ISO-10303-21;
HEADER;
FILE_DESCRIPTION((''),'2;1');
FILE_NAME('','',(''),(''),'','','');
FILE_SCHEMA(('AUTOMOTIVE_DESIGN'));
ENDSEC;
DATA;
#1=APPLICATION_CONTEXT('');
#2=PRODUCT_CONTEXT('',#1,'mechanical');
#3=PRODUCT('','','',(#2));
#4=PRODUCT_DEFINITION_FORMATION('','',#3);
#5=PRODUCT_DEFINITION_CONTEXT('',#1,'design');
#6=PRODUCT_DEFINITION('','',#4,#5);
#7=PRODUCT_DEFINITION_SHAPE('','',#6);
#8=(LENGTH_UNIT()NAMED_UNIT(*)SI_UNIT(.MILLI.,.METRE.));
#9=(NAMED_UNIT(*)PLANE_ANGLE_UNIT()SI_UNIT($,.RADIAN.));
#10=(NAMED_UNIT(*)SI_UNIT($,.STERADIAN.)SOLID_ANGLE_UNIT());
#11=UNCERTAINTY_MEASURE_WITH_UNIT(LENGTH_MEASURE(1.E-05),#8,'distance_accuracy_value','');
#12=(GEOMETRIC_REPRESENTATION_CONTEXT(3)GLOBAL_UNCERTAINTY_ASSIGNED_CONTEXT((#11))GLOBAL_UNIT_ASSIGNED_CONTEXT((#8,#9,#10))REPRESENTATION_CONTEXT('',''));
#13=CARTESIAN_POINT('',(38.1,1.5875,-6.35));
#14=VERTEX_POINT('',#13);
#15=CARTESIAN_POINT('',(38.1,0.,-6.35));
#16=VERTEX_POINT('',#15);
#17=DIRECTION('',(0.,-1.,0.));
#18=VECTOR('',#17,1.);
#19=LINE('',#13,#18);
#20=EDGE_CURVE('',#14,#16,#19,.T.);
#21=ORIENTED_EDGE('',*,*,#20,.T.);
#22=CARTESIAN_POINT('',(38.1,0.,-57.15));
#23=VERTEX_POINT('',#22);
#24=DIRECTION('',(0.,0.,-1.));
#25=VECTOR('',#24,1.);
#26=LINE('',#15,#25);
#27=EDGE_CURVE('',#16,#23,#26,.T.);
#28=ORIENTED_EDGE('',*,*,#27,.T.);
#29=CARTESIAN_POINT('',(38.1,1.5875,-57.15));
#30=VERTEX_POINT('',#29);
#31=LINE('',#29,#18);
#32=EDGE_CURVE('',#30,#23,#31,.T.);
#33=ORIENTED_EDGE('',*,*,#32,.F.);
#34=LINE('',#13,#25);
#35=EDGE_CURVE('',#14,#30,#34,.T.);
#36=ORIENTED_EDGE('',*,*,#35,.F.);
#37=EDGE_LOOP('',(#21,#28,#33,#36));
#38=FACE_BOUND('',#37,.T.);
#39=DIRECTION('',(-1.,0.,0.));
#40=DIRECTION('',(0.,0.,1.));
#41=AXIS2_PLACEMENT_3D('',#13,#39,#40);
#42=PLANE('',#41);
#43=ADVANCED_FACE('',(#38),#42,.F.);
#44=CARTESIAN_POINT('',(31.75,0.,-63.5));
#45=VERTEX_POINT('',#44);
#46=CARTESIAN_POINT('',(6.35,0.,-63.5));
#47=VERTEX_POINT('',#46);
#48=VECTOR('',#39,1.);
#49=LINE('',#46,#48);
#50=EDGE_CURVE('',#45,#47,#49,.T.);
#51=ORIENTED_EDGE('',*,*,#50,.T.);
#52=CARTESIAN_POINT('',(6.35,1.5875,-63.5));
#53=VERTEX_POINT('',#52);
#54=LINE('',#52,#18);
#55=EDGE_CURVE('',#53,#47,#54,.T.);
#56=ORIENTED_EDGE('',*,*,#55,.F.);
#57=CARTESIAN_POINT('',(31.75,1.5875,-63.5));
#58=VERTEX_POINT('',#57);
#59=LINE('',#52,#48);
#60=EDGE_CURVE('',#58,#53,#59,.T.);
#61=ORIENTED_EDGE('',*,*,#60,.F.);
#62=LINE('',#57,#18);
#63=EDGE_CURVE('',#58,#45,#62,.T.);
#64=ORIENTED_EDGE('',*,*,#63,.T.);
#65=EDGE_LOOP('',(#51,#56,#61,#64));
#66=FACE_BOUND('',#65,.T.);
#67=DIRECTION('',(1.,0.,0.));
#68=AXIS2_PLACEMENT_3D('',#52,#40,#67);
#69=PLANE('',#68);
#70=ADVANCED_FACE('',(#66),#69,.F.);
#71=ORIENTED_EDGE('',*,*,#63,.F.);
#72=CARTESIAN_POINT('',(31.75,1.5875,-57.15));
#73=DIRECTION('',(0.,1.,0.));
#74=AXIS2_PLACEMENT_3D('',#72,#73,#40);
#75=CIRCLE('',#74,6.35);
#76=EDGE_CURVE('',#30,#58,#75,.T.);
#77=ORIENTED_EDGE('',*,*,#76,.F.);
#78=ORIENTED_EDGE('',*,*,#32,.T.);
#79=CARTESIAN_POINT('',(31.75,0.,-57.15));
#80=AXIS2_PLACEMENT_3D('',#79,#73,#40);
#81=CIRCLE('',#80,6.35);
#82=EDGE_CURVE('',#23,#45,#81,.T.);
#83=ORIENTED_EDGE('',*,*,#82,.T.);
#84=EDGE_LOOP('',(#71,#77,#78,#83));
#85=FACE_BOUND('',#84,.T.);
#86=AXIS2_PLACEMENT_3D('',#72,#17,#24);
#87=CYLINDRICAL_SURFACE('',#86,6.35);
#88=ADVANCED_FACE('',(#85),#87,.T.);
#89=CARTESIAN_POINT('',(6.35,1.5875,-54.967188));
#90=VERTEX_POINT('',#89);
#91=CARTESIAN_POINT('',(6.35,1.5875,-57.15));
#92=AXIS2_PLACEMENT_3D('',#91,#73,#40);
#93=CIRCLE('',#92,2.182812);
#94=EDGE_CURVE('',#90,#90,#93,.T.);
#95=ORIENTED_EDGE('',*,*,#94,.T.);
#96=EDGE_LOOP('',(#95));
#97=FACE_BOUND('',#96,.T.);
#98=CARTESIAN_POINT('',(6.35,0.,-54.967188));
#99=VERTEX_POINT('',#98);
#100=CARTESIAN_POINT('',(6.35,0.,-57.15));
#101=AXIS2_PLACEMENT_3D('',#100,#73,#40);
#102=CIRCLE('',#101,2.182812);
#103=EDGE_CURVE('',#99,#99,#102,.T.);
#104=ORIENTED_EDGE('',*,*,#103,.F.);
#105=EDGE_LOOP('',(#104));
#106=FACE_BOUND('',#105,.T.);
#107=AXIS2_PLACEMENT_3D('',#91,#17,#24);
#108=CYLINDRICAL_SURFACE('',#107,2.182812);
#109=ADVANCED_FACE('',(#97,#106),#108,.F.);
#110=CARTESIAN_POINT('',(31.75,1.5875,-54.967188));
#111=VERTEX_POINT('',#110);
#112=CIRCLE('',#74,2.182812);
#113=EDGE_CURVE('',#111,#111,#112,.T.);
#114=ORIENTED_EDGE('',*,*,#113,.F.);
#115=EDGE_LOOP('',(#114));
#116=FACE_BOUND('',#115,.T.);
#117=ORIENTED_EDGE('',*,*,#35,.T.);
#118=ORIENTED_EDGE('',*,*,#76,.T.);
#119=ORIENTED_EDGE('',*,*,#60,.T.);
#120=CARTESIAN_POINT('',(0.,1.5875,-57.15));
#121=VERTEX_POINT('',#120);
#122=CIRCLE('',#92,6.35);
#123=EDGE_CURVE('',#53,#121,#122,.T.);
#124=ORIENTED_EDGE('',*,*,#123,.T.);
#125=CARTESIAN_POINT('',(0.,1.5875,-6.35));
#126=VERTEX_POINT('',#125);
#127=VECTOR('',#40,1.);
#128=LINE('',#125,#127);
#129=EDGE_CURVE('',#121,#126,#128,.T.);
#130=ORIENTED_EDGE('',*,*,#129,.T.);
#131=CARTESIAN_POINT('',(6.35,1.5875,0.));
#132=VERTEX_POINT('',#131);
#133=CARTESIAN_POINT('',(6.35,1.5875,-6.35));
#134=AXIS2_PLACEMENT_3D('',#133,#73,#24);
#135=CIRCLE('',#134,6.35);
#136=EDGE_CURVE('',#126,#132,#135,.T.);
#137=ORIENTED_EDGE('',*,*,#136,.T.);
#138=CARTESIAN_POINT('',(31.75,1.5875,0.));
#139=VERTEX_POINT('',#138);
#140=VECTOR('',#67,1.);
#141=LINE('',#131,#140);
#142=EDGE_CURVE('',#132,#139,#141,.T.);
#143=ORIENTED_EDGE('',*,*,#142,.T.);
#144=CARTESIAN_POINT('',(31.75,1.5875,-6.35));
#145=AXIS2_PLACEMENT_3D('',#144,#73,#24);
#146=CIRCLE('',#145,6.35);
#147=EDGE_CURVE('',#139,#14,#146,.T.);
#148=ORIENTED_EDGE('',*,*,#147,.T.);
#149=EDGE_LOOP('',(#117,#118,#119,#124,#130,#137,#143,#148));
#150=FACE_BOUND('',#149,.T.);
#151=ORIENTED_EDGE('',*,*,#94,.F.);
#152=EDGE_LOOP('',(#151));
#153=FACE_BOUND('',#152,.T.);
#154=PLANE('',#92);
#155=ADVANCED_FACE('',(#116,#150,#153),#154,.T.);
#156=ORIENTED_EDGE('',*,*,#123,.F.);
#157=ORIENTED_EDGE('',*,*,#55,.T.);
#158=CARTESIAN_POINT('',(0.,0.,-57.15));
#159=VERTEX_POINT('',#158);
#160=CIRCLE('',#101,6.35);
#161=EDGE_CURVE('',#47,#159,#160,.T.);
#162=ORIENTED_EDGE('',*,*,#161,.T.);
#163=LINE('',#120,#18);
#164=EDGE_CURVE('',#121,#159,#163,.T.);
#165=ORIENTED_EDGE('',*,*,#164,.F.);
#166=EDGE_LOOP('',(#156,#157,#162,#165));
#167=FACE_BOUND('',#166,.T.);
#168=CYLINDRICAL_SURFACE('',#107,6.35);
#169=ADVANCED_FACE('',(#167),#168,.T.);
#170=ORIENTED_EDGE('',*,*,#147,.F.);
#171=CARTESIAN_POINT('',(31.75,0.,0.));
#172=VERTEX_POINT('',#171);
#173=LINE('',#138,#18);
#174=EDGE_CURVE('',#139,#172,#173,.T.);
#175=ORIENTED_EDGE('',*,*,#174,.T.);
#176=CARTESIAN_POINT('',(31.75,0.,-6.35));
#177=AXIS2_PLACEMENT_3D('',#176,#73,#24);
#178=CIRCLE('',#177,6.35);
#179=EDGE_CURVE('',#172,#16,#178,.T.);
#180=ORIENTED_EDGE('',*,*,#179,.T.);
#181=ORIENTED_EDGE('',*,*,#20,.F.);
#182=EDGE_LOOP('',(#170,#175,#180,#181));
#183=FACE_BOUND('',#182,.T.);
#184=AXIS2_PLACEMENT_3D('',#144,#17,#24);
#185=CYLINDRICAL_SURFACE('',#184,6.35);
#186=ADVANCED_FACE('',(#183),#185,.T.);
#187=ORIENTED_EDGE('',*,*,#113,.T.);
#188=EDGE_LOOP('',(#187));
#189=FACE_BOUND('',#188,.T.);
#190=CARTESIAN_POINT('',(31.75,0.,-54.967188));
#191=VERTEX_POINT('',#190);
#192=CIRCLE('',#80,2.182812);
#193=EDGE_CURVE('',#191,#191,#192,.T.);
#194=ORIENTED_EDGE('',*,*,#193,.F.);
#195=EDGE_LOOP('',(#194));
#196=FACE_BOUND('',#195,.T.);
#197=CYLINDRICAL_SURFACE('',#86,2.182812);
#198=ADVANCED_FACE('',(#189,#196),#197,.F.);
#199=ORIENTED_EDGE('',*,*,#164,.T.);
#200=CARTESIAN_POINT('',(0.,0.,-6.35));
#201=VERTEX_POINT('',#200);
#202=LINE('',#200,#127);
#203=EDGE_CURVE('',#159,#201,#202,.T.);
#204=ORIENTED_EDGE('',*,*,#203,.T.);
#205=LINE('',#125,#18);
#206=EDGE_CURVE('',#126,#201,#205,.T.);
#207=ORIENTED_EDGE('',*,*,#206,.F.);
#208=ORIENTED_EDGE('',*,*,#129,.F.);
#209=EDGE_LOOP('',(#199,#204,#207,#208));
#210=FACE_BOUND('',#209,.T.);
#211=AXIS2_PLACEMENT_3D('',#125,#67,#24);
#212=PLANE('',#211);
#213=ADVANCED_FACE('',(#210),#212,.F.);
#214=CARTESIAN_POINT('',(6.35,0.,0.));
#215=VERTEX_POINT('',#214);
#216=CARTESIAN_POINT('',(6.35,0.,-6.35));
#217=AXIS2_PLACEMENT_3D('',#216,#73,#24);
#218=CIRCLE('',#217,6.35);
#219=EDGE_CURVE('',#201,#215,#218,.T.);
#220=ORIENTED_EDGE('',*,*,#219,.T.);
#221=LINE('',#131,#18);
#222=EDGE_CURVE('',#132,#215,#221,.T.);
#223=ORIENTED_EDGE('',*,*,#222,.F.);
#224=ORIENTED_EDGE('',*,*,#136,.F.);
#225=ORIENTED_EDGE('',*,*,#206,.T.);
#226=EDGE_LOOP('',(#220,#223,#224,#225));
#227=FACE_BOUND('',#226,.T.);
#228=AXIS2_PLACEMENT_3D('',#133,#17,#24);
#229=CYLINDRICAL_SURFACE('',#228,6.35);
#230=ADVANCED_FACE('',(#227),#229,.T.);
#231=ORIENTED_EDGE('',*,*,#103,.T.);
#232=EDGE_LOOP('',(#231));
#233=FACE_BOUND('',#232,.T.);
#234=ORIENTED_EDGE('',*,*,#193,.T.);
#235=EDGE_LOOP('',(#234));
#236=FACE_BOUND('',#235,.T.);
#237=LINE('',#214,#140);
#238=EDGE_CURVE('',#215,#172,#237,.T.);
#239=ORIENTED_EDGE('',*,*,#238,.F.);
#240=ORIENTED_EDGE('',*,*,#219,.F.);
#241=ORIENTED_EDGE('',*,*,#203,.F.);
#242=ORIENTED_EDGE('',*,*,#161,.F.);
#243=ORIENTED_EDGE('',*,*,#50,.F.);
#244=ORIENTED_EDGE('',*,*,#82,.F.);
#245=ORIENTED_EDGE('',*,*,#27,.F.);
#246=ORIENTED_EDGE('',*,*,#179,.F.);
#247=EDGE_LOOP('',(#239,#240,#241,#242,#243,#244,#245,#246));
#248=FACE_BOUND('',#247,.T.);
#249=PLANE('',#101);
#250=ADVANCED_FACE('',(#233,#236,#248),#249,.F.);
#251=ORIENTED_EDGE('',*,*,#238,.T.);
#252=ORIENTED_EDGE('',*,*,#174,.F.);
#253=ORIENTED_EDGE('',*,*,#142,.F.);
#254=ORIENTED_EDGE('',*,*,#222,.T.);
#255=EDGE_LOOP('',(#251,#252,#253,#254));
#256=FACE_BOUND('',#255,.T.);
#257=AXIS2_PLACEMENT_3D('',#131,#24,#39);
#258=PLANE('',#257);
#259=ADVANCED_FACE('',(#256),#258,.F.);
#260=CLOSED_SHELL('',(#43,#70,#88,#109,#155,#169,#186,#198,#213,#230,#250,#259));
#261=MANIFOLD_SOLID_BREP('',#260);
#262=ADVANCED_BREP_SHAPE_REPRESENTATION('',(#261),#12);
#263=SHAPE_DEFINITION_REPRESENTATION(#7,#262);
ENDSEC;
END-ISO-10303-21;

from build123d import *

# Parameters (mm, degrees)
SKETCH1_R           = 2.1828125
BOSS_EXTRUDE1_DEPTH = 1.5875


with BuildPart() as part:
    # Sketch1 → Boss-Extrude1 (new body)
    with BuildSketch(Plane(origin=(0, 0, 0), x_dir=(1, 0, 0), z_dir=(0, 1, 0))):
        with BuildLine():
            Line((6.35, 0), (31.75, 0))
            ThreePointArc((31.75, 0), (36.240128061, 1.859871939), (38.1, 6.35))
            Line((38.1, 6.35), (38.1, 57.15))
            ThreePointArc((38.1, 57.15), (36.240128061, 61.640128061), (31.75, 63.5))
            Line((31.75, 63.5), (6.35, 63.5))
            ThreePointArc((6.35, 63.5), (1.859871939, 61.640128061), (0, 57.15))
            Line((0, 57.15), (0, 6.35))
            ThreePointArc((0, 6.35), (1.859871939, 1.859871939), (6.35, 0))
        make_face()
        with Locations((31.75, 57.15)):
            Circle(SKETCH1_R, mode=Mode.SUBTRACT)
        with Locations((6.35, 57.15)):
            Circle(SKETCH1_R, mode=Mode.SUBTRACT)
    extrude(amount=BOSS_EXTRUDE1_DEPTH)


solid = part.part
